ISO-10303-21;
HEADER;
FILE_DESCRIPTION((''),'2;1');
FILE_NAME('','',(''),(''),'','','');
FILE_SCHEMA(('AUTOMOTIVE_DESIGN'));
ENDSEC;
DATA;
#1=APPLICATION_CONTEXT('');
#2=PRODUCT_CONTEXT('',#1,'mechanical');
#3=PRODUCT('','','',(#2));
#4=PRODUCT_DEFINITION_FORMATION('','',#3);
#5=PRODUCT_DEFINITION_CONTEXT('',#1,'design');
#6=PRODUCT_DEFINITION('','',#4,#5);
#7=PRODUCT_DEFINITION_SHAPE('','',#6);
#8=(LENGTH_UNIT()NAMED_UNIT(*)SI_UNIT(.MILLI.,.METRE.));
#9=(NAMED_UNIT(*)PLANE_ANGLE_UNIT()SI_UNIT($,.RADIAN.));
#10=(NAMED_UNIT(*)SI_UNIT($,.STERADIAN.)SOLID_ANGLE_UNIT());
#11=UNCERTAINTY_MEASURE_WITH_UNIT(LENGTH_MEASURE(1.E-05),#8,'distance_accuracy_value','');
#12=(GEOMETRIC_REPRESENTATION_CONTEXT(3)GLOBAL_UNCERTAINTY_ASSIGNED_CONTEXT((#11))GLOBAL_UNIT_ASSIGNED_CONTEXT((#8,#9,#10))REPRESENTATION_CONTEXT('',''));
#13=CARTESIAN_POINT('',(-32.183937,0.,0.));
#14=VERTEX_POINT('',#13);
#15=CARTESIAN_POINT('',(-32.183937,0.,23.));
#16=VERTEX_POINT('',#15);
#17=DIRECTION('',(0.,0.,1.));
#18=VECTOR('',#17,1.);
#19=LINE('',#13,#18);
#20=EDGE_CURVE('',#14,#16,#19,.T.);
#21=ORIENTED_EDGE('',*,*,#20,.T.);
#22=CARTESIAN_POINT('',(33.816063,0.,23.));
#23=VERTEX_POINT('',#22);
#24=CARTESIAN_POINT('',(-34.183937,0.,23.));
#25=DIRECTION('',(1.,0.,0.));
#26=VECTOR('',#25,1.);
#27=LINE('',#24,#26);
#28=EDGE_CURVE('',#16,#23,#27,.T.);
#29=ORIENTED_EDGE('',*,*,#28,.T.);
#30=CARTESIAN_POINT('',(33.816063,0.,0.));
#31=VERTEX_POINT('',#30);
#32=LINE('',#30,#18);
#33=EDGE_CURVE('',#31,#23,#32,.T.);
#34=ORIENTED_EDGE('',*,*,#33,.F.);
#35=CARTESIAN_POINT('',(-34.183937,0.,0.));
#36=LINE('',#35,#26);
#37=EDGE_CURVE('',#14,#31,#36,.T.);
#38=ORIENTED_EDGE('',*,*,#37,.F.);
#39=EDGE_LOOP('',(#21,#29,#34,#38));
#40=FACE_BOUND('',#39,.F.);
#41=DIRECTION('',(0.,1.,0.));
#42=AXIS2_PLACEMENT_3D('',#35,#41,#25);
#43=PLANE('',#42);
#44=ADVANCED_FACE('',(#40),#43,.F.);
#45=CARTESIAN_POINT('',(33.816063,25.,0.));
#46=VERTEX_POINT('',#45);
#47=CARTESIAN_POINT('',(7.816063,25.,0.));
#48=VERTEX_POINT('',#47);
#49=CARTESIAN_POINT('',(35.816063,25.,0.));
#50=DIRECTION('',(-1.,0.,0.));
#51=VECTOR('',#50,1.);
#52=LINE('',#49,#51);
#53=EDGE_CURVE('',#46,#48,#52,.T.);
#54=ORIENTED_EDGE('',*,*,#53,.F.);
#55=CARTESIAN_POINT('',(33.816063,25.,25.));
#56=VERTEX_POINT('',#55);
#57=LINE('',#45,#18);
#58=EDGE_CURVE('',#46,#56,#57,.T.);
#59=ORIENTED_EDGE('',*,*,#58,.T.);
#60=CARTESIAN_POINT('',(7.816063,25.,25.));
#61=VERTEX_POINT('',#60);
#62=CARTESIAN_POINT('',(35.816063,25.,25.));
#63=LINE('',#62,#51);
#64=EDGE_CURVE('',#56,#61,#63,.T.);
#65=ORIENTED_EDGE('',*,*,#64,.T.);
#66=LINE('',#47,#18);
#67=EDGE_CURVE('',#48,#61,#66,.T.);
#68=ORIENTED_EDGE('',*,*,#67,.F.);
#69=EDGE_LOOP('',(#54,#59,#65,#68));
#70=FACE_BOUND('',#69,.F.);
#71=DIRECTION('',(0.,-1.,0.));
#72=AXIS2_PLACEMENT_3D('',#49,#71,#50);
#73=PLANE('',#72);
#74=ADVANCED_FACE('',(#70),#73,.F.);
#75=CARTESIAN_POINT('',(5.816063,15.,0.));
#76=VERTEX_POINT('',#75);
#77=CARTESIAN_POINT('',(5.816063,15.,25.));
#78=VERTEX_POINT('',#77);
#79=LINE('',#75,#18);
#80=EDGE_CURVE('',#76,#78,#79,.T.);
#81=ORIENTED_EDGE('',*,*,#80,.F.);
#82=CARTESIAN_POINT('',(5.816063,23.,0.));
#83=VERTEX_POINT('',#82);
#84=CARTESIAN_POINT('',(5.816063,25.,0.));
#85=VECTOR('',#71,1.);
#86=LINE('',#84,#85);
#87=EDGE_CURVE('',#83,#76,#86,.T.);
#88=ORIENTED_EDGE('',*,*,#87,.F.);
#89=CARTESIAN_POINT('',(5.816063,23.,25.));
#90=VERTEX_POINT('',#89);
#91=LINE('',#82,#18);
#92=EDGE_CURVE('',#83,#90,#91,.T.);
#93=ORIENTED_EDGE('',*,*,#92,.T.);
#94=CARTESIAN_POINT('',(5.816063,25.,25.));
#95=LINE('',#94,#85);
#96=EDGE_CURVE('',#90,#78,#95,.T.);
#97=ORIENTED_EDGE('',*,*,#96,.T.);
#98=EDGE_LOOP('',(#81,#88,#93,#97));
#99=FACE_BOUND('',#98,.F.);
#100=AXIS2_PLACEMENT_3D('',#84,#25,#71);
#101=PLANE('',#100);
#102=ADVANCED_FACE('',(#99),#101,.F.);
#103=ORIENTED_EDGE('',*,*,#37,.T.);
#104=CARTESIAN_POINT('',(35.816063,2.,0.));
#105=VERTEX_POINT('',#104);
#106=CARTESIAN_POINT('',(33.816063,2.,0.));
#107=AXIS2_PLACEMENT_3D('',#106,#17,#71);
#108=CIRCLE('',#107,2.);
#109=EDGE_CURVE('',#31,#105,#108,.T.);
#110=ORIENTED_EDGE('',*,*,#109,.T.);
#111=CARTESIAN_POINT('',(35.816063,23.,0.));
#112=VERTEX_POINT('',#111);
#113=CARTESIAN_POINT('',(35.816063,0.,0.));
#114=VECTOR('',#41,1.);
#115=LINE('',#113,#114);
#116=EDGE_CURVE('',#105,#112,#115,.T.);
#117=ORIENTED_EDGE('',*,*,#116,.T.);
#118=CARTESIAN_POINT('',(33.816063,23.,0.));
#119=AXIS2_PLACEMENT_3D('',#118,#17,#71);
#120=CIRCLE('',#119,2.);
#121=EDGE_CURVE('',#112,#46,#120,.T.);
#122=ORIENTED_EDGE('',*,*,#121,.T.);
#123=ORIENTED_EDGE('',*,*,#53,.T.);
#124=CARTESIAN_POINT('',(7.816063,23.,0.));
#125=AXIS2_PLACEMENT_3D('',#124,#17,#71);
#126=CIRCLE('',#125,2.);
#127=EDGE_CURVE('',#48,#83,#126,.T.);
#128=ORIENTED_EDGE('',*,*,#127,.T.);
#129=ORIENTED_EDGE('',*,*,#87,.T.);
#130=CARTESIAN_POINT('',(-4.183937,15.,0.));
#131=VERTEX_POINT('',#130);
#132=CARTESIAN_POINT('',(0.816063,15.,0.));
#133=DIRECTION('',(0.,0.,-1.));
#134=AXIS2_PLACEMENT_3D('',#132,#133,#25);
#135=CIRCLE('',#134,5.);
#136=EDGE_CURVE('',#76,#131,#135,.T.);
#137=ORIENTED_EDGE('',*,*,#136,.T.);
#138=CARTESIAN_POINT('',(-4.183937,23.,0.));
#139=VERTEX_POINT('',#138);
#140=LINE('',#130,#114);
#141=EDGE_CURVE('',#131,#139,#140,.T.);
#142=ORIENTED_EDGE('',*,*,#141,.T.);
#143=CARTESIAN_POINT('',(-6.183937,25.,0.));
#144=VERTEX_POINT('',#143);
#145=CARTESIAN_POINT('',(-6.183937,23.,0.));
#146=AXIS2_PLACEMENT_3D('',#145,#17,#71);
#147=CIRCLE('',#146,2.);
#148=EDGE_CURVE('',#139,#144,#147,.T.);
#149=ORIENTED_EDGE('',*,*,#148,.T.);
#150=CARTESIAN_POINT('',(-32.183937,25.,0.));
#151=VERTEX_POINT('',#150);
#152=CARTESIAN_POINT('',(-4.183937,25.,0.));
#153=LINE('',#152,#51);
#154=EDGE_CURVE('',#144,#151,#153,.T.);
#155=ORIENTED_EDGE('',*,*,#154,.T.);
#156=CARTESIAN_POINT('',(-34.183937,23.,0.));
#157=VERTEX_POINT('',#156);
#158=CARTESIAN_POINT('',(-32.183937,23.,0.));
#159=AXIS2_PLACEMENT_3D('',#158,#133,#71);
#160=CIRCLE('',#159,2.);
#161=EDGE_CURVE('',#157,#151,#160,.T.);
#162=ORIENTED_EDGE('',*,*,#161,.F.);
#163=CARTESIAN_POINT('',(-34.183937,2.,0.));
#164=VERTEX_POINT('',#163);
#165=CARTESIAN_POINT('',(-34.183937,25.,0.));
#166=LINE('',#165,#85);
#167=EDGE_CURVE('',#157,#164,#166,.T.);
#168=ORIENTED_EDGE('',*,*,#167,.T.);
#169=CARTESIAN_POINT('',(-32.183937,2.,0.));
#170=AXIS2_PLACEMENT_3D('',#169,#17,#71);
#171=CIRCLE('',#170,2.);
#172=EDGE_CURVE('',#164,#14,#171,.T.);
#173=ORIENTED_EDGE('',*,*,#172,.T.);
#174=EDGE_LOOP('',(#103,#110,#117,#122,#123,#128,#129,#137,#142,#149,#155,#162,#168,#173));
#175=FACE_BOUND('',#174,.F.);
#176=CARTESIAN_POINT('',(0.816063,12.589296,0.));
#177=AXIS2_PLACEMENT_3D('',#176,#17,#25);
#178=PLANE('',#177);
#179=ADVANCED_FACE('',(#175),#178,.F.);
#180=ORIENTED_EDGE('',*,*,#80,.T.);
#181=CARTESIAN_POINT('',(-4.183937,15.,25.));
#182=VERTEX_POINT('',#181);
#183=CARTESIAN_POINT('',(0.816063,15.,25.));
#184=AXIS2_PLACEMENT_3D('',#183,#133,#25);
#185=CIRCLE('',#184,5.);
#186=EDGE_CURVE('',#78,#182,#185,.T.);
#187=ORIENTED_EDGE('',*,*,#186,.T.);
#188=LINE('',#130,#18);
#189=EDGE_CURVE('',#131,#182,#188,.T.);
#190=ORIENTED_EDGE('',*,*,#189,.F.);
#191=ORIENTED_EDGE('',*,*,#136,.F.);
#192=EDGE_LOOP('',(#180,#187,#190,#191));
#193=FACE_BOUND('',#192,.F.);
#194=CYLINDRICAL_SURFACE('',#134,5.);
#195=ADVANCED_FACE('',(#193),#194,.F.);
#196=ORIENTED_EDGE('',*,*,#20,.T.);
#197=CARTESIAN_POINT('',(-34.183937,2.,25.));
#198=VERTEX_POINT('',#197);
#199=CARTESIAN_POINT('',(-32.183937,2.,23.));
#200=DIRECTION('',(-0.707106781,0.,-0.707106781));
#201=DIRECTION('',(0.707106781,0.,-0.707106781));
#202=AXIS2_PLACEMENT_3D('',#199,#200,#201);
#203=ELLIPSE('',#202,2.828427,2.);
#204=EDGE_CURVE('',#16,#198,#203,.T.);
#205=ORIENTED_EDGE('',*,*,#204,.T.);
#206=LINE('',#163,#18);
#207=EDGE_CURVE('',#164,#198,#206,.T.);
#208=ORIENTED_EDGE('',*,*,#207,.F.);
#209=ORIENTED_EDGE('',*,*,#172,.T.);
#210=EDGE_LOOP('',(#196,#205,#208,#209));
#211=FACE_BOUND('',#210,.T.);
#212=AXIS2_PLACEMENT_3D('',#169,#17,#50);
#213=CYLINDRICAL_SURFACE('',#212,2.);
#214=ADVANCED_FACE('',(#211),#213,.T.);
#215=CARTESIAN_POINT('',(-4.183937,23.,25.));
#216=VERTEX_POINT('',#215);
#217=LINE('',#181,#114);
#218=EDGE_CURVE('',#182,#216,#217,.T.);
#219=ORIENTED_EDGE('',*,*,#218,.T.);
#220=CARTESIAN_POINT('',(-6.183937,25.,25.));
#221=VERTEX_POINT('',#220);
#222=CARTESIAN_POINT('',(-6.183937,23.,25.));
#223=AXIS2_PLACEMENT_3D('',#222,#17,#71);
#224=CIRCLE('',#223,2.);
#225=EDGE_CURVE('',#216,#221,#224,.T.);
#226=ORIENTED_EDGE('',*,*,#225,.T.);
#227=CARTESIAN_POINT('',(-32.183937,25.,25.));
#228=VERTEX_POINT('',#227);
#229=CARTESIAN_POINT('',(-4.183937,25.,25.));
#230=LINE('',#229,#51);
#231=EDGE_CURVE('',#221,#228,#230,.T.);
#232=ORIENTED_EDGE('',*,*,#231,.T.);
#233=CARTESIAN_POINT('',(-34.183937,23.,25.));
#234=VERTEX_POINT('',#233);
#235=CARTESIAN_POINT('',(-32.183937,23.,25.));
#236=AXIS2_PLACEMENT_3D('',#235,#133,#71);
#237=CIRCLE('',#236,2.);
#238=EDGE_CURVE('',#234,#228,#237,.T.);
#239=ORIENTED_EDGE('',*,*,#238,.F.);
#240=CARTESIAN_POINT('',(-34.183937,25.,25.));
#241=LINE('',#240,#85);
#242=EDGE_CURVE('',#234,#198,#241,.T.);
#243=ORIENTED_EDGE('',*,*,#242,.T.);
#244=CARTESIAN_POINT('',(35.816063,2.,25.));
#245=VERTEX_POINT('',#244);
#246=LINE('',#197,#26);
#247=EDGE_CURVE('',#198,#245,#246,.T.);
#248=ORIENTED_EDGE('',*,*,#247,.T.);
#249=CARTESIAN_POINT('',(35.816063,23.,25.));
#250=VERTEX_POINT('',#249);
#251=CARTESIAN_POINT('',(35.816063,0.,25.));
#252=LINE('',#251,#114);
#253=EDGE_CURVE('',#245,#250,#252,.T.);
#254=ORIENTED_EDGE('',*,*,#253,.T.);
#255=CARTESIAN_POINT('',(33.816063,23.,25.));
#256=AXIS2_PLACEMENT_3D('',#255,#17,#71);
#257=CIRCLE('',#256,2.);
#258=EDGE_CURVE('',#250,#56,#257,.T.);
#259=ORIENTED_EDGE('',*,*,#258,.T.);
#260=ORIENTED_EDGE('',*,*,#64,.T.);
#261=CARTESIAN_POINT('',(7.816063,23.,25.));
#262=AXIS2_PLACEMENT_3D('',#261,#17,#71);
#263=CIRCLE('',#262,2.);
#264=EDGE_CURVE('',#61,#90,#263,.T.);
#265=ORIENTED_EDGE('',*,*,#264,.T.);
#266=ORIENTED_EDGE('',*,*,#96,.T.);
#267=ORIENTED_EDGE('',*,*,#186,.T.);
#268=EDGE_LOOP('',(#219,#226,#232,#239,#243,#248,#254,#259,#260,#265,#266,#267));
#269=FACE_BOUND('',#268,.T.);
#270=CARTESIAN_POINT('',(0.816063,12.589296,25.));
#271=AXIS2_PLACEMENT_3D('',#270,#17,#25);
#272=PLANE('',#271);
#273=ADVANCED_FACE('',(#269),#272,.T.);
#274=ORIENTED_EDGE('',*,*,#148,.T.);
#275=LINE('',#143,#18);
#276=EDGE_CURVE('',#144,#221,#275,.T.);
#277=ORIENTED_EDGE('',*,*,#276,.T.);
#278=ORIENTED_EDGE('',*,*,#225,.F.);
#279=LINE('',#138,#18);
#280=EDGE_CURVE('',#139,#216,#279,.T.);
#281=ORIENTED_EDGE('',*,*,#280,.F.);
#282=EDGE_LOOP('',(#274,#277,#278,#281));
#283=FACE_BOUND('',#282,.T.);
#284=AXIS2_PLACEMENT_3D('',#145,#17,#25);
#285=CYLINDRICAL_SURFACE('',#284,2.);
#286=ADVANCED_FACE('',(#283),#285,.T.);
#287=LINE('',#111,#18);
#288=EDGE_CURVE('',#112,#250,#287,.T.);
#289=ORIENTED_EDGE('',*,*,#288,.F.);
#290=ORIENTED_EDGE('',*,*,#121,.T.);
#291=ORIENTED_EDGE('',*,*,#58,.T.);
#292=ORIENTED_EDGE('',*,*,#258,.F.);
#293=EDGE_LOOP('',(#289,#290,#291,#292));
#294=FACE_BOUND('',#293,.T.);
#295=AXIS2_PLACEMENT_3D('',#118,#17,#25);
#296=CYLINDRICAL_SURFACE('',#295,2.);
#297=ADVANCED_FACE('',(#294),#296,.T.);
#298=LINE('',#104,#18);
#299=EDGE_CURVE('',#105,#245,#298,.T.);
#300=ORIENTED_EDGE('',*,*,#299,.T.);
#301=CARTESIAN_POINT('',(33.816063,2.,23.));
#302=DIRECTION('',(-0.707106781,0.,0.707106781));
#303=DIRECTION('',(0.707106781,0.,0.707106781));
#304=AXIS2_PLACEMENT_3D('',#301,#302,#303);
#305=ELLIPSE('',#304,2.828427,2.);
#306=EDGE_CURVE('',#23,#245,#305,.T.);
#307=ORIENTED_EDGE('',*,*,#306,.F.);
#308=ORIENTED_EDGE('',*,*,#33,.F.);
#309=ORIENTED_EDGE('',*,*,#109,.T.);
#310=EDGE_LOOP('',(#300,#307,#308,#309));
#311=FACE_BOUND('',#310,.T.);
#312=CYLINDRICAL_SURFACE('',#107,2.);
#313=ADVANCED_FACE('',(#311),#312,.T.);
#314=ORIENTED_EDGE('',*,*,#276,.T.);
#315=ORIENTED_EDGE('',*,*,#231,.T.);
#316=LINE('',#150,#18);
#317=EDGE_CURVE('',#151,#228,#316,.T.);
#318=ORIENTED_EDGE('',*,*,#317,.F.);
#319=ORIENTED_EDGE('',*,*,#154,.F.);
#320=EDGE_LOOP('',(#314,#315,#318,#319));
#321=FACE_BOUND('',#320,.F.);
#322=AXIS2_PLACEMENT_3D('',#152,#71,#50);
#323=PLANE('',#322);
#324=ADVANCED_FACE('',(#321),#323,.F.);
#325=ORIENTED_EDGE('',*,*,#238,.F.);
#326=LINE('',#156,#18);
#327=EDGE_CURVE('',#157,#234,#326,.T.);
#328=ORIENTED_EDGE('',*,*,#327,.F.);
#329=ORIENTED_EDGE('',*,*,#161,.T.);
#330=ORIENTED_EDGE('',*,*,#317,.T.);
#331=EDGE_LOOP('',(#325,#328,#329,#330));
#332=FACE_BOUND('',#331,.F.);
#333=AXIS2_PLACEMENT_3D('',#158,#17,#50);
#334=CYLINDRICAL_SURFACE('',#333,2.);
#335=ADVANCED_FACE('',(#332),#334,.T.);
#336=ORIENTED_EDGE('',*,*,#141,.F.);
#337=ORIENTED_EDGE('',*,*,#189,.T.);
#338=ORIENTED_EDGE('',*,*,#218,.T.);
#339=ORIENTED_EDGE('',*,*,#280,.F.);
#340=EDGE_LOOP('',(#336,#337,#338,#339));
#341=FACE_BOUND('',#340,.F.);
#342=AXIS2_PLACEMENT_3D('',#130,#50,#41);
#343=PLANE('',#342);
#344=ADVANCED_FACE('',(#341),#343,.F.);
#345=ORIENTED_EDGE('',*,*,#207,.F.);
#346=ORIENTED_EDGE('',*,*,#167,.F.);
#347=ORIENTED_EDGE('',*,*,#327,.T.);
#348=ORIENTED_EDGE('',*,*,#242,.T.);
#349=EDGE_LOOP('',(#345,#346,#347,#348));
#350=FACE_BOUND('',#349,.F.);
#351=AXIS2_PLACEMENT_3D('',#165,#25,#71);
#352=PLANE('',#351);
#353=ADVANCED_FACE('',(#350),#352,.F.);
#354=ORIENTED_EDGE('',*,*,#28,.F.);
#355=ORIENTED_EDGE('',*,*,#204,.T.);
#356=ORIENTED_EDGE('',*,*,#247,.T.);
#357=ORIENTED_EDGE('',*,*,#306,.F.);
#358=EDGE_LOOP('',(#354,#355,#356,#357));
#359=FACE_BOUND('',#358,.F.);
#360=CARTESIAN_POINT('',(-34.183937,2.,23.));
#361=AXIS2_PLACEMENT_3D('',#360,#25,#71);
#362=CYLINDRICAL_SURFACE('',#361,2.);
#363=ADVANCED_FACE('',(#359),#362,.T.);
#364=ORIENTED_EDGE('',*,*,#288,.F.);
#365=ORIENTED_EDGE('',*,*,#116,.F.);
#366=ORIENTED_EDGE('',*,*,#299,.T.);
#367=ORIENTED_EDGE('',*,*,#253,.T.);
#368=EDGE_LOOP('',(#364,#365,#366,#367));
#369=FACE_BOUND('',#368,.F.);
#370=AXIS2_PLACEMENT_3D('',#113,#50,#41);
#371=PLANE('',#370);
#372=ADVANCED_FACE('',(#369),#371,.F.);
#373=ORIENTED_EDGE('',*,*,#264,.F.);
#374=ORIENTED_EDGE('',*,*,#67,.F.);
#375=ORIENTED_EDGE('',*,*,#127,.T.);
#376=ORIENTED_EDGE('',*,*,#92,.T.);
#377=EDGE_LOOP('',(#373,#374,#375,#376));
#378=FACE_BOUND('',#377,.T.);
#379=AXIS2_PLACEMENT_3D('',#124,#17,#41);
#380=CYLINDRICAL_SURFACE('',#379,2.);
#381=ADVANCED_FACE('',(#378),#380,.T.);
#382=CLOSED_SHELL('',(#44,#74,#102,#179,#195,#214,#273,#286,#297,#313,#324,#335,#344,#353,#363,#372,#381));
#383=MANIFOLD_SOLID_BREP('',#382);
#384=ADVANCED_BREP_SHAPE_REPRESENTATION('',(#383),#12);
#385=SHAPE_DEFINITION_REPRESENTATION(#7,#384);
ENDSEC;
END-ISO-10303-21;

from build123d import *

# Parameters (mm, degrees)
F1_DEPTH = 25
F2_R     = 2


with BuildPart() as f1:
    # F0 (on Top) → F1 (new body)
    with BuildSketch(Plane.XY):
        with BuildLine():
            Line((-34.183937, 25), (-34.183937, 0))
            Line((-34.183937, 0), (35.816063, 0))
            Line((35.816063, 0), (35.816063, 25))
            Line((35.816063, 25), (5.816063, 25))
            Line((5.816063, 25), (5.816063, 15))
            ThreePointArc((5.816063, 15), (0.816063, 10), (-4.183937, 15))
            Line((-4.183937, 15), (-4.183937, 25))
            Line((-4.183937, 25), (-34.183937, 25))
        make_face()
    extrude(amount=F1_DEPTH)

    # F2
    f2_edges = [f1.edges().sort_by_distance(p)[0] for p in [
        (0.816063, 0, 25),
        (-34.183937, 0, 12.5),
        (35.816063, 0, 12.5),
        (35.816063, 25, 12.5),
        (5.816063, 25, 12.5),
        (-4.183937, 25, 12.5),
        (-34.183937, 25, 12.5),
    ]]
    fillet(f2_edges, radius=F2_R)


solid = f1.part
